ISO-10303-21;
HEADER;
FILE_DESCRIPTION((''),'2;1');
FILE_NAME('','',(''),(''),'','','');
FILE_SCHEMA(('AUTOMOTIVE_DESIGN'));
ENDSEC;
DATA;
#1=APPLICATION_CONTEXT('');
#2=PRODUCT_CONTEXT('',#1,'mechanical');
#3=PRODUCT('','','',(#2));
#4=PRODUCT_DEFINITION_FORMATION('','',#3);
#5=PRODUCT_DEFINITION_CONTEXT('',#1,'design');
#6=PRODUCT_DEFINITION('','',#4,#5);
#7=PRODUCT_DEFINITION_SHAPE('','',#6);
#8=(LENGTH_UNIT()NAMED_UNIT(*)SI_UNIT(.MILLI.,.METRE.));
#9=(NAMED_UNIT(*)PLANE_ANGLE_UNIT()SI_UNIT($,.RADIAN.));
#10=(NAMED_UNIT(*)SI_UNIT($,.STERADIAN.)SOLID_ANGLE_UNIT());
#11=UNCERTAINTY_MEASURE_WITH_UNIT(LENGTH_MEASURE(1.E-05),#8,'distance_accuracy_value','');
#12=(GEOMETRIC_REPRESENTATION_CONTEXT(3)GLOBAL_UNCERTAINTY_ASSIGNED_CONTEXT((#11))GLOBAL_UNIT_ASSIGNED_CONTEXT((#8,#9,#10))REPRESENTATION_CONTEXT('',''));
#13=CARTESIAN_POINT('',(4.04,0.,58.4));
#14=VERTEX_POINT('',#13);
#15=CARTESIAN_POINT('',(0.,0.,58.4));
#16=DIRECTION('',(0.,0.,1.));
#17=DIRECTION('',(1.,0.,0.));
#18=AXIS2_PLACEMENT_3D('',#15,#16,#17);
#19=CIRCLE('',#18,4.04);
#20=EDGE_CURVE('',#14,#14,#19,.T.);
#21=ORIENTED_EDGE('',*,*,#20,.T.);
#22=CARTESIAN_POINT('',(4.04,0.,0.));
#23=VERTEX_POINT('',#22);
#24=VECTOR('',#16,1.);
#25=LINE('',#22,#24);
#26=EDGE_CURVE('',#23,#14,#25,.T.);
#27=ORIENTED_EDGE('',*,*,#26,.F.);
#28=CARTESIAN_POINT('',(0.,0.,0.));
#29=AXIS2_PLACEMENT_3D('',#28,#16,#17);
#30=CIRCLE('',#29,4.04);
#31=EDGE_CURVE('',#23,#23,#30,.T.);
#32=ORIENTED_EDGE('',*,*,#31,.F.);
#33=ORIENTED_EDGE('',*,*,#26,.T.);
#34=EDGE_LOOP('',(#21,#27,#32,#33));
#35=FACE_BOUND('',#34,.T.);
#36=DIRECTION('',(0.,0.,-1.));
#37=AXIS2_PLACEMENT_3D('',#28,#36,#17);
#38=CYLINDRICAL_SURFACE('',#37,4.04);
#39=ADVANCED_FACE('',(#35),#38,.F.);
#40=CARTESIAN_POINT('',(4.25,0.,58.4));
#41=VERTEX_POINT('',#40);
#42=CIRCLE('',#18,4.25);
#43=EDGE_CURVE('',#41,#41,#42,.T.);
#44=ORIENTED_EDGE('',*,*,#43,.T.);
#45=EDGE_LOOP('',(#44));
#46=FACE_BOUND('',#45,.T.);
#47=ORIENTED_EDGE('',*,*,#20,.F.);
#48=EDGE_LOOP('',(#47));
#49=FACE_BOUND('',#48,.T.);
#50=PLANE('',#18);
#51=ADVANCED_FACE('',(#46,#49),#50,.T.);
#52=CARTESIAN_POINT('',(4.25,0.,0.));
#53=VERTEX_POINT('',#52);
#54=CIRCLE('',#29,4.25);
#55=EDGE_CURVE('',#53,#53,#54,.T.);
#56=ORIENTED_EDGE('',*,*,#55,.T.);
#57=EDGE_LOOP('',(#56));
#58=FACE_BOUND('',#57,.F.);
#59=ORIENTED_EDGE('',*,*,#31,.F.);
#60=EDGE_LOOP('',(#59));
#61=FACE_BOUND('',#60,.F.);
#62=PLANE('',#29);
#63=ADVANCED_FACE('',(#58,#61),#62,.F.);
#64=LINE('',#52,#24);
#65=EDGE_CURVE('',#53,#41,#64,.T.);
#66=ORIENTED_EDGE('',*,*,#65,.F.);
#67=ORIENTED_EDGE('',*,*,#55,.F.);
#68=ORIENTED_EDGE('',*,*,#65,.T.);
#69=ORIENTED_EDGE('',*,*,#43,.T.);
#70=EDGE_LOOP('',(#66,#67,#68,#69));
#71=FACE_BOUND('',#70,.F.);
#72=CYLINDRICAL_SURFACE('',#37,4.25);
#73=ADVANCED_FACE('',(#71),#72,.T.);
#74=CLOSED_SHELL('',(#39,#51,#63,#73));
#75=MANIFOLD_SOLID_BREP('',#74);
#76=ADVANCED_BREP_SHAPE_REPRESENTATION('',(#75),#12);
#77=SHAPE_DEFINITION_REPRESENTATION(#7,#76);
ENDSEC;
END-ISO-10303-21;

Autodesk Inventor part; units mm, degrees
ref_plane "YZ Plane" through (0, 0, 0) normal (1, 0, 0) x (0, 1, 0)
ref_plane "XZ Plane" through (0, 0, 0) normal (0, 1, 0) x (-1, 0, 0)
ref_plane "XY Plane" through (0, 0, 0) normal (0, 0, 1) x (1, 0, 0)
sketch "Sketch1" plane through (0, 0, 0) normal (0, 0, 1) x (1, 0, 0)
  circle A0 centre (0, 0) radius 4.25
  circle A1 centre (0, 0) radius 4.04
  dimension "d0" = 8.5
  dimension "d1" = 8.08
extrude "Extrusion1" add sketch "Sketch1" along normal blind 58.4
properties part number "PP-11" material "Steel, Mild"
